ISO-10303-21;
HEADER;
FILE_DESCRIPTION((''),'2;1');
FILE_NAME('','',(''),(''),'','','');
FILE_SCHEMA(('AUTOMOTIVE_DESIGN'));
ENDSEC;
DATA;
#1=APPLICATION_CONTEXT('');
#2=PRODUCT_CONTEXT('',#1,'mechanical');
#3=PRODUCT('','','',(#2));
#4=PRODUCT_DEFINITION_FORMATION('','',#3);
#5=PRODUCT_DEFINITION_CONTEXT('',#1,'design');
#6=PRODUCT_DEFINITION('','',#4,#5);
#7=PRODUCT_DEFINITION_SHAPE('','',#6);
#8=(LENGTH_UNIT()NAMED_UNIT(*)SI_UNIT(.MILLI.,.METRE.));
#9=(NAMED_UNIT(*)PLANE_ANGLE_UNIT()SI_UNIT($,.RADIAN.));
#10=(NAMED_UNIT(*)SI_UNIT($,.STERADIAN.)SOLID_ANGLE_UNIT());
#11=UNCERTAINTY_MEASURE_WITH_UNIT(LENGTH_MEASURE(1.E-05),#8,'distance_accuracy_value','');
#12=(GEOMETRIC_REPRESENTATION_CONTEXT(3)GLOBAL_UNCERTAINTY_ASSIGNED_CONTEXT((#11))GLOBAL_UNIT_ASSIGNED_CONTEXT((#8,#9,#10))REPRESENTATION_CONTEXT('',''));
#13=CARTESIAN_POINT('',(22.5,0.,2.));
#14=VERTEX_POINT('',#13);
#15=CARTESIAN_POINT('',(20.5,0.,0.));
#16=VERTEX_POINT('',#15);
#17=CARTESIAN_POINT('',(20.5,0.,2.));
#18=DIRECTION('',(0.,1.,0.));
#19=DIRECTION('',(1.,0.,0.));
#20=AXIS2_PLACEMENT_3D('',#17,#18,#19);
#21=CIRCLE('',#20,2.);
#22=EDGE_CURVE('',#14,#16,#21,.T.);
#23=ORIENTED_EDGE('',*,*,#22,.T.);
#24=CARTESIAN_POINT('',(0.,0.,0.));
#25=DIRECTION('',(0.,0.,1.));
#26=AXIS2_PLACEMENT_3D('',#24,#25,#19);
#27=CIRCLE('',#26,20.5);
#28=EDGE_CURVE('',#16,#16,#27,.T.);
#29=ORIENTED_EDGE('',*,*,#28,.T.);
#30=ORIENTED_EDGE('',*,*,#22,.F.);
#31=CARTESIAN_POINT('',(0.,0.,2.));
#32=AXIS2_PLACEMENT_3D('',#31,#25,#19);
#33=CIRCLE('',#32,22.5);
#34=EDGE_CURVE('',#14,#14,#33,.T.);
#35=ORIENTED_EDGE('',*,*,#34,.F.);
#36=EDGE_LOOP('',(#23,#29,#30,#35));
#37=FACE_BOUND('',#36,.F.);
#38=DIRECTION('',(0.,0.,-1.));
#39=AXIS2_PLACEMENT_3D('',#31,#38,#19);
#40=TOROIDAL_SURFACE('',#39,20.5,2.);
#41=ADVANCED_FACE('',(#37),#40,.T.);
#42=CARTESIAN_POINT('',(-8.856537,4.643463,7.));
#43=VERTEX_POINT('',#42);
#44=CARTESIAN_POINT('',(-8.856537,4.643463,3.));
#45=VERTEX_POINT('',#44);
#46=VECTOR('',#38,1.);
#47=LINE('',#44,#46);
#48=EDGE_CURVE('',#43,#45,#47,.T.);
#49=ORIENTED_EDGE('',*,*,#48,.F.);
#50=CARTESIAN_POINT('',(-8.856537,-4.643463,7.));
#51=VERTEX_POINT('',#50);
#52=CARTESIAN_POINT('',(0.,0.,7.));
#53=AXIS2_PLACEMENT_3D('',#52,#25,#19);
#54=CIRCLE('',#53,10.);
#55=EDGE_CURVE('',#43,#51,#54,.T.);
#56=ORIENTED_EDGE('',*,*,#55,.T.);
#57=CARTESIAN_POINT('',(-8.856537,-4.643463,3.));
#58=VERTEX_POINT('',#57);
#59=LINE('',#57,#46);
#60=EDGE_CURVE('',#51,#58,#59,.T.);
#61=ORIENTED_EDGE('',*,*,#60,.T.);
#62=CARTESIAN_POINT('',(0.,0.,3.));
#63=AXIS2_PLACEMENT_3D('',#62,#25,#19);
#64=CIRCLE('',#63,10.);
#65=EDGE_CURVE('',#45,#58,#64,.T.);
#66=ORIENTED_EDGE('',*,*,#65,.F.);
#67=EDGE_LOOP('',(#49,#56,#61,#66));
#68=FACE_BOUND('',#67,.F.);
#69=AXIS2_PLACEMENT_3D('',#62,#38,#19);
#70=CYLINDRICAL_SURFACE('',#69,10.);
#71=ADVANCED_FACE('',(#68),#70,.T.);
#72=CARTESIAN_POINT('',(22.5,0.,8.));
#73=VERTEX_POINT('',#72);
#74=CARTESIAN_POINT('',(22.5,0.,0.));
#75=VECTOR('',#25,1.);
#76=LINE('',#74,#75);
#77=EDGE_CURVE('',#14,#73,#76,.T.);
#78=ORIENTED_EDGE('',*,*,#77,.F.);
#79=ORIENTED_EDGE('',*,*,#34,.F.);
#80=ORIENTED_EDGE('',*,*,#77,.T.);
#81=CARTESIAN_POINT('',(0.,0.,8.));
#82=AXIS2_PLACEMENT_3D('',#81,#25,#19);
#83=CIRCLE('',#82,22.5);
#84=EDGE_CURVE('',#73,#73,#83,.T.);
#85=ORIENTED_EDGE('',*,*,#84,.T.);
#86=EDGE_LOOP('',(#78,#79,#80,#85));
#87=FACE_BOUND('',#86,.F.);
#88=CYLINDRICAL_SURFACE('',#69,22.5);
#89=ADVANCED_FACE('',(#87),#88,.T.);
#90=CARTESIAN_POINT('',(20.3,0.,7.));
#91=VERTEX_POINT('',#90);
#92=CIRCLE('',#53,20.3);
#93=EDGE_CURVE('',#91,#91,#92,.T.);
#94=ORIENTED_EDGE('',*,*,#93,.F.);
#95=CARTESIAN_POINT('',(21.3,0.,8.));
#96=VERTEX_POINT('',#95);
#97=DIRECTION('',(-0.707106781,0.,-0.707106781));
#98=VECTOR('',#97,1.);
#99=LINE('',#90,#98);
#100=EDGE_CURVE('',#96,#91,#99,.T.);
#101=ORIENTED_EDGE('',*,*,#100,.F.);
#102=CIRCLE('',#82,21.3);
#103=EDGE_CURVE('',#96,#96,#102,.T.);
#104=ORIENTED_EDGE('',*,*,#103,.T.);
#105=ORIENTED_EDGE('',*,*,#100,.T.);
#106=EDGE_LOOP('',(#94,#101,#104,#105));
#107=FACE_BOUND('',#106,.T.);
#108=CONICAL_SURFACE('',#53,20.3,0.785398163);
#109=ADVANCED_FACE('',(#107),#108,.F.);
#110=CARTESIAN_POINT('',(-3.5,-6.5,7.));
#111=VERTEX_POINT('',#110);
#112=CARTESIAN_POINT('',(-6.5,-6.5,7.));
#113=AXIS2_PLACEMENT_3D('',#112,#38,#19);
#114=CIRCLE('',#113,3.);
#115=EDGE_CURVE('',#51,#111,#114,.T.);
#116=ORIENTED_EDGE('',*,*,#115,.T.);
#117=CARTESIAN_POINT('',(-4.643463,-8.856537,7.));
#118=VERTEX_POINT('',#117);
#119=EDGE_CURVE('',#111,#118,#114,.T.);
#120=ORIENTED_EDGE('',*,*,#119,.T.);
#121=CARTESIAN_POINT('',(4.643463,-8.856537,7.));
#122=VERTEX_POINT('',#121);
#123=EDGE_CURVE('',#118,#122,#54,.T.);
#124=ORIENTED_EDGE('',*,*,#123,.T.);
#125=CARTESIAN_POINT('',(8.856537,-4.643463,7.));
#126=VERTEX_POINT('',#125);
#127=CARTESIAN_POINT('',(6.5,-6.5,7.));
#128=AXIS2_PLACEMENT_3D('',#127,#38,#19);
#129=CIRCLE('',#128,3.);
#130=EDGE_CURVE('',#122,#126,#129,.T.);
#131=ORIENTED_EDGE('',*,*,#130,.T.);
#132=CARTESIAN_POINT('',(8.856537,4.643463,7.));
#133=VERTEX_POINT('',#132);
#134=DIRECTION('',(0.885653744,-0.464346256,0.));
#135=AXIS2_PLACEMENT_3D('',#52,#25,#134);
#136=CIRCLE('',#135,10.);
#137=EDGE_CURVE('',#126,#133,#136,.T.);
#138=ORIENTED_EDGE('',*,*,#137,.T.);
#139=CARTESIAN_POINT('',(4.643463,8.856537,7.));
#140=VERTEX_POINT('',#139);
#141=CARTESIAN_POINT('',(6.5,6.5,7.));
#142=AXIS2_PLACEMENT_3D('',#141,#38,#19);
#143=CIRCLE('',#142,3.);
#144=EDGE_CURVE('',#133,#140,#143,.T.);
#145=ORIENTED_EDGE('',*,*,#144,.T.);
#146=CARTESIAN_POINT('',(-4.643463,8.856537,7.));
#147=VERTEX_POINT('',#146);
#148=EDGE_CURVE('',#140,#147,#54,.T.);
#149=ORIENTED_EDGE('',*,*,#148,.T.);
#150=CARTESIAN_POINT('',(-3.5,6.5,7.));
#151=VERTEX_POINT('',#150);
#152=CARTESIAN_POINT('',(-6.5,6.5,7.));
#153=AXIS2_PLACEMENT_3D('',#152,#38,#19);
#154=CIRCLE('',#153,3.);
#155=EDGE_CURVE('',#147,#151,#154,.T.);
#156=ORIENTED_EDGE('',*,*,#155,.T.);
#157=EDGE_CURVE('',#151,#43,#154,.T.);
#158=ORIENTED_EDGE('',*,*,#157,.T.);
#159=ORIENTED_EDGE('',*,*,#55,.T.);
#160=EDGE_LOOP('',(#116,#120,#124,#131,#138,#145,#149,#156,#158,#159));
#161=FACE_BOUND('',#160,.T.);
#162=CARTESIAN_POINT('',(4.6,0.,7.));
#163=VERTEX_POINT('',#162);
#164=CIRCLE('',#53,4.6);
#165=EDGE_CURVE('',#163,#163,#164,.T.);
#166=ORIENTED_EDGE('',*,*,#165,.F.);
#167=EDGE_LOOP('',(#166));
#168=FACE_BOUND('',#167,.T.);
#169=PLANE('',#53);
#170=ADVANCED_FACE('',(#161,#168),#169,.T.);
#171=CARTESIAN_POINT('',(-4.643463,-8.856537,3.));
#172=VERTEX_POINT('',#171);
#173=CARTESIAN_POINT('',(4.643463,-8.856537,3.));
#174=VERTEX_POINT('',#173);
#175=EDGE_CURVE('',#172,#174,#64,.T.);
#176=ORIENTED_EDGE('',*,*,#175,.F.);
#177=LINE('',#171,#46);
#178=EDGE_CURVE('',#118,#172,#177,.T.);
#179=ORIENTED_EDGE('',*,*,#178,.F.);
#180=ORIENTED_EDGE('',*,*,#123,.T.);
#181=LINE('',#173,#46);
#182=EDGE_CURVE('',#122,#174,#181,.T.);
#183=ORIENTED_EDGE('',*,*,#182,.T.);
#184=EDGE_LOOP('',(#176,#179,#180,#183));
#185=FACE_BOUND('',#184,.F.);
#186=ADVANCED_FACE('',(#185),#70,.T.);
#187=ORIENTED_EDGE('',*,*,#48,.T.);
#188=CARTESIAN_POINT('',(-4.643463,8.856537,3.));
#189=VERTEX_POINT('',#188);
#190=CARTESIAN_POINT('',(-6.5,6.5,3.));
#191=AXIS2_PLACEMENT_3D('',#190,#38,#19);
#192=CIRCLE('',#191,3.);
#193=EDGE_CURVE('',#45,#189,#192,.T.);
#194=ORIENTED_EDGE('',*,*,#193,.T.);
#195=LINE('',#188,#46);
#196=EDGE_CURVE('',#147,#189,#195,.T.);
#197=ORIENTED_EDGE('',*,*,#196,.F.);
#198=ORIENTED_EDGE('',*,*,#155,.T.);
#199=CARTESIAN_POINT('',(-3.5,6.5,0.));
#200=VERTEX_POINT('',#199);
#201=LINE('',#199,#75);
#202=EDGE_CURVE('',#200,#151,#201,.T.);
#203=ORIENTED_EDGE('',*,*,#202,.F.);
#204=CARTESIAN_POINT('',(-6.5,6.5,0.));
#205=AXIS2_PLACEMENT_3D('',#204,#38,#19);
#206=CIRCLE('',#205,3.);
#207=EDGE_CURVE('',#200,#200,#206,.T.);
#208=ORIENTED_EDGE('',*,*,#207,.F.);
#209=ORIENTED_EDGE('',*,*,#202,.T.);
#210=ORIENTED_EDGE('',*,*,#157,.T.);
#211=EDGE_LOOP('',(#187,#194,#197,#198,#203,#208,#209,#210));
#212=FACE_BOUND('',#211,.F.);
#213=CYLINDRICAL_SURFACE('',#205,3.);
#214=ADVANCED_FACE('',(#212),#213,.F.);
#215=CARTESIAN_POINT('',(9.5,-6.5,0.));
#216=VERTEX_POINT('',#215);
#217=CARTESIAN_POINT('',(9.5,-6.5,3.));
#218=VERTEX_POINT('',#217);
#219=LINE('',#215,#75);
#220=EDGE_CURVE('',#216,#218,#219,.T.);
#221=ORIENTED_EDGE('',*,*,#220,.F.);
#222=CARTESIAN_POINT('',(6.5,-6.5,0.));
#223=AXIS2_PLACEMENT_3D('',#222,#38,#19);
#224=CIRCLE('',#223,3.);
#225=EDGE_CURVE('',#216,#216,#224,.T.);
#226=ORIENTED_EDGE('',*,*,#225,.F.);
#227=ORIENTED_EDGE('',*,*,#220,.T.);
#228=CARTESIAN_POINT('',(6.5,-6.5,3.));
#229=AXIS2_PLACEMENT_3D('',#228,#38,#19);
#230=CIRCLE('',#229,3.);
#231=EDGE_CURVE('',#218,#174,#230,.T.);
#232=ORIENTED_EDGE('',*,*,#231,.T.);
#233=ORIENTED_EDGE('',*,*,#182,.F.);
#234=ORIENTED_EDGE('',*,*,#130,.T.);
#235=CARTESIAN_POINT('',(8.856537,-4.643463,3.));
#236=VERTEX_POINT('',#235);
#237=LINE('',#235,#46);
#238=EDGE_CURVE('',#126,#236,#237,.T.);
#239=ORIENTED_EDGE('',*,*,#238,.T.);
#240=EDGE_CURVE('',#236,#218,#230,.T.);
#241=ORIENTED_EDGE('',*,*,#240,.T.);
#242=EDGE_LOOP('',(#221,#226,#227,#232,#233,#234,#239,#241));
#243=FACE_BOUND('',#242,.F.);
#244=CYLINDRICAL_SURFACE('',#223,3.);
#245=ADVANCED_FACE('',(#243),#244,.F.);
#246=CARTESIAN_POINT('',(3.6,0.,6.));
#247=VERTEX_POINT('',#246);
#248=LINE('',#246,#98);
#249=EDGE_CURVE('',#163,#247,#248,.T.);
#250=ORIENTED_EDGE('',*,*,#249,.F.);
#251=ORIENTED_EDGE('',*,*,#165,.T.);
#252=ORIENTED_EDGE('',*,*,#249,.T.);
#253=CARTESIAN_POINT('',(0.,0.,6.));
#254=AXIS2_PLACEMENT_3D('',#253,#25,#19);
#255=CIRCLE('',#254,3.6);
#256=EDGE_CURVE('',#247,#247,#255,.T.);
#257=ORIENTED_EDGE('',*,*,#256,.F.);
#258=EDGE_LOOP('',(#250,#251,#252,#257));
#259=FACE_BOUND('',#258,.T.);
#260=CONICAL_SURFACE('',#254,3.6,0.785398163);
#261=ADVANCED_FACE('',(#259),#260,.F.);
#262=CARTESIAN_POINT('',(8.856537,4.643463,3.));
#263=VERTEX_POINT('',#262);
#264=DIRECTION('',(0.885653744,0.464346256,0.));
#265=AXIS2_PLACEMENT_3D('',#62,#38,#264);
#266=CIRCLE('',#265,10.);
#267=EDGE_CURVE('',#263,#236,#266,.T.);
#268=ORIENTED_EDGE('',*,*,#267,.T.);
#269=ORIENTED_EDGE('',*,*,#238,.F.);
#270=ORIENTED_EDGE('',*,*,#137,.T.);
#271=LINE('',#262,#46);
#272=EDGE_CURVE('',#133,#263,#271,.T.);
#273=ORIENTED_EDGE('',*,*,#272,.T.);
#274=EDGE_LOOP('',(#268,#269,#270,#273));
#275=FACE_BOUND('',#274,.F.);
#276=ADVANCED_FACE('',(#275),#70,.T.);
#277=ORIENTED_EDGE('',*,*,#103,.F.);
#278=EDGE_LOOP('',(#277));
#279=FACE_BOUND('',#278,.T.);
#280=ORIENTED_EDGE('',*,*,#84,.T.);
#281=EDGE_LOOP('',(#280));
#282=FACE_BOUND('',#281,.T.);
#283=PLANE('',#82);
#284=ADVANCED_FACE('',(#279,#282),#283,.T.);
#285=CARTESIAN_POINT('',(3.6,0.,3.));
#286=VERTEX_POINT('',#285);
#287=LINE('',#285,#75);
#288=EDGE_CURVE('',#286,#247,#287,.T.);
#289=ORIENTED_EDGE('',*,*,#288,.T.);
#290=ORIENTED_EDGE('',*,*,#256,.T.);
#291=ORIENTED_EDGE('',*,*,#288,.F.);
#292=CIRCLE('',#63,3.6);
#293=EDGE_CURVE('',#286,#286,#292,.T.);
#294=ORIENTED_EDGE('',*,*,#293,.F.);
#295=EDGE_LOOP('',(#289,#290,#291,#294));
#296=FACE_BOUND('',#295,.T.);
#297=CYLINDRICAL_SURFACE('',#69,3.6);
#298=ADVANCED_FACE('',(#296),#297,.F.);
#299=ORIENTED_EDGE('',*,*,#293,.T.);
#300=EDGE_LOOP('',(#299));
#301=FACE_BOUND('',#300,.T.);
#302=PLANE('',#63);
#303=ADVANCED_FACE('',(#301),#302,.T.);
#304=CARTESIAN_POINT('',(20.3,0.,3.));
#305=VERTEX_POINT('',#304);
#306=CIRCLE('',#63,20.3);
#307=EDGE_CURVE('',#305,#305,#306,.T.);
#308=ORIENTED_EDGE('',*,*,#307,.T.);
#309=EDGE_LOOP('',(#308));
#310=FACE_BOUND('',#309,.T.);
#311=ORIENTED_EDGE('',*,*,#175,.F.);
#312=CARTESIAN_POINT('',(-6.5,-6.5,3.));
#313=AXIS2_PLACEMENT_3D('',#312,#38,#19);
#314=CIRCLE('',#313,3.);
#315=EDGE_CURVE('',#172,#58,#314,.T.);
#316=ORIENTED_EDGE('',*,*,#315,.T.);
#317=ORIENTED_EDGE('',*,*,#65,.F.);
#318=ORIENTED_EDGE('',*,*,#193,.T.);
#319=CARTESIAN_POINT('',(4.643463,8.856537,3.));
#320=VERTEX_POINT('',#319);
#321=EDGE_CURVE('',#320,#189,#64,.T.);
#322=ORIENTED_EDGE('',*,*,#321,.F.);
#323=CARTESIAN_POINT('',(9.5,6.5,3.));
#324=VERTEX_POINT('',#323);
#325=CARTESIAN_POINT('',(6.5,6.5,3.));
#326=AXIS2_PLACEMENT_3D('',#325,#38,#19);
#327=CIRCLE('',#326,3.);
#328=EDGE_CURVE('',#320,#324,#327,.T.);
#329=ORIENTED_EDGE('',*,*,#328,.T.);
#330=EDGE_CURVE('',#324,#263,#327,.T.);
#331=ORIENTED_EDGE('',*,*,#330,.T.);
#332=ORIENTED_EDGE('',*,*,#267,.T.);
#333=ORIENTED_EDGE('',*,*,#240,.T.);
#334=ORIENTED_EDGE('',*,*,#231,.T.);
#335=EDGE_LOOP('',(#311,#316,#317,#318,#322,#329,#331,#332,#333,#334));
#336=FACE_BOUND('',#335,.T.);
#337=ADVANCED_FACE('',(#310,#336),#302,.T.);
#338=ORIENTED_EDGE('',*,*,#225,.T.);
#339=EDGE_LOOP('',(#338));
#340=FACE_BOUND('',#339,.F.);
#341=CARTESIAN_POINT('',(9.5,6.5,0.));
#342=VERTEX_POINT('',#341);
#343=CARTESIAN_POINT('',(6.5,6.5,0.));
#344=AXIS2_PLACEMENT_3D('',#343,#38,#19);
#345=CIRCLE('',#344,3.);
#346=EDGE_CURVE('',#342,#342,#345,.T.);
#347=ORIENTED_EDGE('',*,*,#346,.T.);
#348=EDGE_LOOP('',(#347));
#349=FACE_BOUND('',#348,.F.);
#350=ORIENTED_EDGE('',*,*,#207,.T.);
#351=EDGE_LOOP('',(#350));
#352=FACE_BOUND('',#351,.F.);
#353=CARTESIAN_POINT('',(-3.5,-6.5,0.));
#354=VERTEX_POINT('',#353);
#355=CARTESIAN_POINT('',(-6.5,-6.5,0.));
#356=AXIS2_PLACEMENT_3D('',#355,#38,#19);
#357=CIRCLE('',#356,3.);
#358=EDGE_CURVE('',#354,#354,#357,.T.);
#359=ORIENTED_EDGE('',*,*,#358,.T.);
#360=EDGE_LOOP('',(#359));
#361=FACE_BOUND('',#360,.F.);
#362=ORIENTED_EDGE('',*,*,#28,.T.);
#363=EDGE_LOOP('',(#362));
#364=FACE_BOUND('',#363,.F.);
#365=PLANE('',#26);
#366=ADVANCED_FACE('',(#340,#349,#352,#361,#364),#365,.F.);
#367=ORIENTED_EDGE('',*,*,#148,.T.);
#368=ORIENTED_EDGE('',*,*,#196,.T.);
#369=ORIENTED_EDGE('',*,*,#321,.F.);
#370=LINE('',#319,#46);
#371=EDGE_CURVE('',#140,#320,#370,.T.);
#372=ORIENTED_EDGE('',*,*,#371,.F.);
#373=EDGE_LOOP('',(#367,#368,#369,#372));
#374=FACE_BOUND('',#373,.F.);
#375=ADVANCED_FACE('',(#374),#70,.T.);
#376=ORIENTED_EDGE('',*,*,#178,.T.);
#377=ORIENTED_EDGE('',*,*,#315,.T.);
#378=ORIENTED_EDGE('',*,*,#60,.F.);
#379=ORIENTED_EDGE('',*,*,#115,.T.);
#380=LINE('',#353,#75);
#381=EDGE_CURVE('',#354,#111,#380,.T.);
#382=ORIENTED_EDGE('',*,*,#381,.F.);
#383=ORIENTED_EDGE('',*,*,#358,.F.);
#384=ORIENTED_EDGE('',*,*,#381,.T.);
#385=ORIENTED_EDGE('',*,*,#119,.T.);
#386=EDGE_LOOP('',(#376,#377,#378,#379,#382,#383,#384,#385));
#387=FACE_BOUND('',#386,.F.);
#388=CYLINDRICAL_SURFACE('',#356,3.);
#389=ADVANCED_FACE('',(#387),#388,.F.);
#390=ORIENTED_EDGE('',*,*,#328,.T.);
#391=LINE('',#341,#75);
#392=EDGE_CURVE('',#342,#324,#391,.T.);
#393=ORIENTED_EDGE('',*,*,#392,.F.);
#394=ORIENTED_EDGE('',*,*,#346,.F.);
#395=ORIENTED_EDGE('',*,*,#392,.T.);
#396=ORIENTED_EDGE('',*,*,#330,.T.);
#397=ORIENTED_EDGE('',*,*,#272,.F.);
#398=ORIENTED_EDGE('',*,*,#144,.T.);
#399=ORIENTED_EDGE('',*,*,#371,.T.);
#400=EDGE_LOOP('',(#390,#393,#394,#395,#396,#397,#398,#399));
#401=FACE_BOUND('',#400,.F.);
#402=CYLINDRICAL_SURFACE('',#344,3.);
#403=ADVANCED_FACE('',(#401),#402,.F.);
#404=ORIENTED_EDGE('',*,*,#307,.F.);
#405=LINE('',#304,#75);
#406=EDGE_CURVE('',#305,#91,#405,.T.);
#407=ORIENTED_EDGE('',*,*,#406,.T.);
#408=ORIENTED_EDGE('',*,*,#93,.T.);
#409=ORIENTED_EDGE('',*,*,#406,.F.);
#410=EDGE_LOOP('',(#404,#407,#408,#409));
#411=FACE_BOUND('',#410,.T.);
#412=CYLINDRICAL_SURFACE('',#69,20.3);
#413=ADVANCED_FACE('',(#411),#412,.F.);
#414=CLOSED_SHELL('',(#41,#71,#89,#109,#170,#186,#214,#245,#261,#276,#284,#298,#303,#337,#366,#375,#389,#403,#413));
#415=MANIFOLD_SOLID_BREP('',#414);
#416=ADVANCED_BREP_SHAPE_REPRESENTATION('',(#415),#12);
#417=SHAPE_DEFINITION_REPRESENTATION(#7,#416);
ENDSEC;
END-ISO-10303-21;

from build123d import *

# Parameters (mm, degrees)
SKETCH_R        = 22.5
PAD_DEPTH       = 3
SKETCH001_R     = 22.5
SKETCH001_R_2   = 20.3
PAD001_DEPTH    = 5
SKETCH002_R     = 10
SKETCH002_R_2   = 3.6
PAD002_DEPTH    = 4
SKETCH003_R     = 3
POCKET_DEPTH    = 8.001
FILLET_R        = 2
CHAMFER_SIZE    = 1
CHAMFER001_SIZE = 1


with BuildPart() as part:
    # Sketch → Pad (new body)
    with BuildSketch(Plane.XY):
        Circle(SKETCH_R)
    extrude(amount=PAD_DEPTH)

    # Sketch001 (on Face3 of Pad) → Pad001 (join)
    with BuildSketch(Plane.XY.offset(3)):
        Circle(SKETCH001_R)
        Circle(SKETCH001_R_2, mode=Mode.SUBTRACT)
    extrude(amount=PAD001_DEPTH)

    # Sketch002 (on Face5 of Pad001) → Pad002 (join)
    with BuildSketch(Plane.XY.offset(3)):
        Circle(SKETCH002_R)
        Circle(SKETCH002_R_2, mode=Mode.SUBTRACT)
    extrude(amount=PAD002_DEPTH)

    # Sketch003 (on Face1 of Pad002) → Pocket (cut, through all)
    with BuildSketch(Plane(origin=(0, 0, 0), x_dir=(1, 0, 0), z_dir=(0, 0, -1))):
        with Locations((-6.5, 6.5)):
            Circle(SKETCH003_R)
        with Locations((-6.5, -6.5)):
            Circle(SKETCH003_R)
        with Locations((6.5, -6.5)):
            Circle(SKETCH003_R)
        with Locations((6.5, 6.5)):
            Circle(SKETCH003_R)
    extrude(amount=-POCKET_DEPTH, mode=Mode.SUBTRACT)

    # Fillet
    fillet_edges = [part.edges().sort_by_distance(p)[0] for p in [
        (-22.5, 0, 0),
    ]]
    fillet(fillet_edges, radius=FILLET_R)

    # Chamfer
    chamfer_edges = [part.edges().sort_by_distance(p)[0] for p in [
        (-20.3, 0, 8),
    ]]
    chamfer(chamfer_edges, length=CHAMFER_SIZE)

    # Chamfer001
    chamfer001_edges = [part.edges().sort_by_distance(p)[0] for p in [
        (-3.6, 0, 7),
    ]]
    chamfer(chamfer001_edges, length=CHAMFER001_SIZE)


solid = part.part
